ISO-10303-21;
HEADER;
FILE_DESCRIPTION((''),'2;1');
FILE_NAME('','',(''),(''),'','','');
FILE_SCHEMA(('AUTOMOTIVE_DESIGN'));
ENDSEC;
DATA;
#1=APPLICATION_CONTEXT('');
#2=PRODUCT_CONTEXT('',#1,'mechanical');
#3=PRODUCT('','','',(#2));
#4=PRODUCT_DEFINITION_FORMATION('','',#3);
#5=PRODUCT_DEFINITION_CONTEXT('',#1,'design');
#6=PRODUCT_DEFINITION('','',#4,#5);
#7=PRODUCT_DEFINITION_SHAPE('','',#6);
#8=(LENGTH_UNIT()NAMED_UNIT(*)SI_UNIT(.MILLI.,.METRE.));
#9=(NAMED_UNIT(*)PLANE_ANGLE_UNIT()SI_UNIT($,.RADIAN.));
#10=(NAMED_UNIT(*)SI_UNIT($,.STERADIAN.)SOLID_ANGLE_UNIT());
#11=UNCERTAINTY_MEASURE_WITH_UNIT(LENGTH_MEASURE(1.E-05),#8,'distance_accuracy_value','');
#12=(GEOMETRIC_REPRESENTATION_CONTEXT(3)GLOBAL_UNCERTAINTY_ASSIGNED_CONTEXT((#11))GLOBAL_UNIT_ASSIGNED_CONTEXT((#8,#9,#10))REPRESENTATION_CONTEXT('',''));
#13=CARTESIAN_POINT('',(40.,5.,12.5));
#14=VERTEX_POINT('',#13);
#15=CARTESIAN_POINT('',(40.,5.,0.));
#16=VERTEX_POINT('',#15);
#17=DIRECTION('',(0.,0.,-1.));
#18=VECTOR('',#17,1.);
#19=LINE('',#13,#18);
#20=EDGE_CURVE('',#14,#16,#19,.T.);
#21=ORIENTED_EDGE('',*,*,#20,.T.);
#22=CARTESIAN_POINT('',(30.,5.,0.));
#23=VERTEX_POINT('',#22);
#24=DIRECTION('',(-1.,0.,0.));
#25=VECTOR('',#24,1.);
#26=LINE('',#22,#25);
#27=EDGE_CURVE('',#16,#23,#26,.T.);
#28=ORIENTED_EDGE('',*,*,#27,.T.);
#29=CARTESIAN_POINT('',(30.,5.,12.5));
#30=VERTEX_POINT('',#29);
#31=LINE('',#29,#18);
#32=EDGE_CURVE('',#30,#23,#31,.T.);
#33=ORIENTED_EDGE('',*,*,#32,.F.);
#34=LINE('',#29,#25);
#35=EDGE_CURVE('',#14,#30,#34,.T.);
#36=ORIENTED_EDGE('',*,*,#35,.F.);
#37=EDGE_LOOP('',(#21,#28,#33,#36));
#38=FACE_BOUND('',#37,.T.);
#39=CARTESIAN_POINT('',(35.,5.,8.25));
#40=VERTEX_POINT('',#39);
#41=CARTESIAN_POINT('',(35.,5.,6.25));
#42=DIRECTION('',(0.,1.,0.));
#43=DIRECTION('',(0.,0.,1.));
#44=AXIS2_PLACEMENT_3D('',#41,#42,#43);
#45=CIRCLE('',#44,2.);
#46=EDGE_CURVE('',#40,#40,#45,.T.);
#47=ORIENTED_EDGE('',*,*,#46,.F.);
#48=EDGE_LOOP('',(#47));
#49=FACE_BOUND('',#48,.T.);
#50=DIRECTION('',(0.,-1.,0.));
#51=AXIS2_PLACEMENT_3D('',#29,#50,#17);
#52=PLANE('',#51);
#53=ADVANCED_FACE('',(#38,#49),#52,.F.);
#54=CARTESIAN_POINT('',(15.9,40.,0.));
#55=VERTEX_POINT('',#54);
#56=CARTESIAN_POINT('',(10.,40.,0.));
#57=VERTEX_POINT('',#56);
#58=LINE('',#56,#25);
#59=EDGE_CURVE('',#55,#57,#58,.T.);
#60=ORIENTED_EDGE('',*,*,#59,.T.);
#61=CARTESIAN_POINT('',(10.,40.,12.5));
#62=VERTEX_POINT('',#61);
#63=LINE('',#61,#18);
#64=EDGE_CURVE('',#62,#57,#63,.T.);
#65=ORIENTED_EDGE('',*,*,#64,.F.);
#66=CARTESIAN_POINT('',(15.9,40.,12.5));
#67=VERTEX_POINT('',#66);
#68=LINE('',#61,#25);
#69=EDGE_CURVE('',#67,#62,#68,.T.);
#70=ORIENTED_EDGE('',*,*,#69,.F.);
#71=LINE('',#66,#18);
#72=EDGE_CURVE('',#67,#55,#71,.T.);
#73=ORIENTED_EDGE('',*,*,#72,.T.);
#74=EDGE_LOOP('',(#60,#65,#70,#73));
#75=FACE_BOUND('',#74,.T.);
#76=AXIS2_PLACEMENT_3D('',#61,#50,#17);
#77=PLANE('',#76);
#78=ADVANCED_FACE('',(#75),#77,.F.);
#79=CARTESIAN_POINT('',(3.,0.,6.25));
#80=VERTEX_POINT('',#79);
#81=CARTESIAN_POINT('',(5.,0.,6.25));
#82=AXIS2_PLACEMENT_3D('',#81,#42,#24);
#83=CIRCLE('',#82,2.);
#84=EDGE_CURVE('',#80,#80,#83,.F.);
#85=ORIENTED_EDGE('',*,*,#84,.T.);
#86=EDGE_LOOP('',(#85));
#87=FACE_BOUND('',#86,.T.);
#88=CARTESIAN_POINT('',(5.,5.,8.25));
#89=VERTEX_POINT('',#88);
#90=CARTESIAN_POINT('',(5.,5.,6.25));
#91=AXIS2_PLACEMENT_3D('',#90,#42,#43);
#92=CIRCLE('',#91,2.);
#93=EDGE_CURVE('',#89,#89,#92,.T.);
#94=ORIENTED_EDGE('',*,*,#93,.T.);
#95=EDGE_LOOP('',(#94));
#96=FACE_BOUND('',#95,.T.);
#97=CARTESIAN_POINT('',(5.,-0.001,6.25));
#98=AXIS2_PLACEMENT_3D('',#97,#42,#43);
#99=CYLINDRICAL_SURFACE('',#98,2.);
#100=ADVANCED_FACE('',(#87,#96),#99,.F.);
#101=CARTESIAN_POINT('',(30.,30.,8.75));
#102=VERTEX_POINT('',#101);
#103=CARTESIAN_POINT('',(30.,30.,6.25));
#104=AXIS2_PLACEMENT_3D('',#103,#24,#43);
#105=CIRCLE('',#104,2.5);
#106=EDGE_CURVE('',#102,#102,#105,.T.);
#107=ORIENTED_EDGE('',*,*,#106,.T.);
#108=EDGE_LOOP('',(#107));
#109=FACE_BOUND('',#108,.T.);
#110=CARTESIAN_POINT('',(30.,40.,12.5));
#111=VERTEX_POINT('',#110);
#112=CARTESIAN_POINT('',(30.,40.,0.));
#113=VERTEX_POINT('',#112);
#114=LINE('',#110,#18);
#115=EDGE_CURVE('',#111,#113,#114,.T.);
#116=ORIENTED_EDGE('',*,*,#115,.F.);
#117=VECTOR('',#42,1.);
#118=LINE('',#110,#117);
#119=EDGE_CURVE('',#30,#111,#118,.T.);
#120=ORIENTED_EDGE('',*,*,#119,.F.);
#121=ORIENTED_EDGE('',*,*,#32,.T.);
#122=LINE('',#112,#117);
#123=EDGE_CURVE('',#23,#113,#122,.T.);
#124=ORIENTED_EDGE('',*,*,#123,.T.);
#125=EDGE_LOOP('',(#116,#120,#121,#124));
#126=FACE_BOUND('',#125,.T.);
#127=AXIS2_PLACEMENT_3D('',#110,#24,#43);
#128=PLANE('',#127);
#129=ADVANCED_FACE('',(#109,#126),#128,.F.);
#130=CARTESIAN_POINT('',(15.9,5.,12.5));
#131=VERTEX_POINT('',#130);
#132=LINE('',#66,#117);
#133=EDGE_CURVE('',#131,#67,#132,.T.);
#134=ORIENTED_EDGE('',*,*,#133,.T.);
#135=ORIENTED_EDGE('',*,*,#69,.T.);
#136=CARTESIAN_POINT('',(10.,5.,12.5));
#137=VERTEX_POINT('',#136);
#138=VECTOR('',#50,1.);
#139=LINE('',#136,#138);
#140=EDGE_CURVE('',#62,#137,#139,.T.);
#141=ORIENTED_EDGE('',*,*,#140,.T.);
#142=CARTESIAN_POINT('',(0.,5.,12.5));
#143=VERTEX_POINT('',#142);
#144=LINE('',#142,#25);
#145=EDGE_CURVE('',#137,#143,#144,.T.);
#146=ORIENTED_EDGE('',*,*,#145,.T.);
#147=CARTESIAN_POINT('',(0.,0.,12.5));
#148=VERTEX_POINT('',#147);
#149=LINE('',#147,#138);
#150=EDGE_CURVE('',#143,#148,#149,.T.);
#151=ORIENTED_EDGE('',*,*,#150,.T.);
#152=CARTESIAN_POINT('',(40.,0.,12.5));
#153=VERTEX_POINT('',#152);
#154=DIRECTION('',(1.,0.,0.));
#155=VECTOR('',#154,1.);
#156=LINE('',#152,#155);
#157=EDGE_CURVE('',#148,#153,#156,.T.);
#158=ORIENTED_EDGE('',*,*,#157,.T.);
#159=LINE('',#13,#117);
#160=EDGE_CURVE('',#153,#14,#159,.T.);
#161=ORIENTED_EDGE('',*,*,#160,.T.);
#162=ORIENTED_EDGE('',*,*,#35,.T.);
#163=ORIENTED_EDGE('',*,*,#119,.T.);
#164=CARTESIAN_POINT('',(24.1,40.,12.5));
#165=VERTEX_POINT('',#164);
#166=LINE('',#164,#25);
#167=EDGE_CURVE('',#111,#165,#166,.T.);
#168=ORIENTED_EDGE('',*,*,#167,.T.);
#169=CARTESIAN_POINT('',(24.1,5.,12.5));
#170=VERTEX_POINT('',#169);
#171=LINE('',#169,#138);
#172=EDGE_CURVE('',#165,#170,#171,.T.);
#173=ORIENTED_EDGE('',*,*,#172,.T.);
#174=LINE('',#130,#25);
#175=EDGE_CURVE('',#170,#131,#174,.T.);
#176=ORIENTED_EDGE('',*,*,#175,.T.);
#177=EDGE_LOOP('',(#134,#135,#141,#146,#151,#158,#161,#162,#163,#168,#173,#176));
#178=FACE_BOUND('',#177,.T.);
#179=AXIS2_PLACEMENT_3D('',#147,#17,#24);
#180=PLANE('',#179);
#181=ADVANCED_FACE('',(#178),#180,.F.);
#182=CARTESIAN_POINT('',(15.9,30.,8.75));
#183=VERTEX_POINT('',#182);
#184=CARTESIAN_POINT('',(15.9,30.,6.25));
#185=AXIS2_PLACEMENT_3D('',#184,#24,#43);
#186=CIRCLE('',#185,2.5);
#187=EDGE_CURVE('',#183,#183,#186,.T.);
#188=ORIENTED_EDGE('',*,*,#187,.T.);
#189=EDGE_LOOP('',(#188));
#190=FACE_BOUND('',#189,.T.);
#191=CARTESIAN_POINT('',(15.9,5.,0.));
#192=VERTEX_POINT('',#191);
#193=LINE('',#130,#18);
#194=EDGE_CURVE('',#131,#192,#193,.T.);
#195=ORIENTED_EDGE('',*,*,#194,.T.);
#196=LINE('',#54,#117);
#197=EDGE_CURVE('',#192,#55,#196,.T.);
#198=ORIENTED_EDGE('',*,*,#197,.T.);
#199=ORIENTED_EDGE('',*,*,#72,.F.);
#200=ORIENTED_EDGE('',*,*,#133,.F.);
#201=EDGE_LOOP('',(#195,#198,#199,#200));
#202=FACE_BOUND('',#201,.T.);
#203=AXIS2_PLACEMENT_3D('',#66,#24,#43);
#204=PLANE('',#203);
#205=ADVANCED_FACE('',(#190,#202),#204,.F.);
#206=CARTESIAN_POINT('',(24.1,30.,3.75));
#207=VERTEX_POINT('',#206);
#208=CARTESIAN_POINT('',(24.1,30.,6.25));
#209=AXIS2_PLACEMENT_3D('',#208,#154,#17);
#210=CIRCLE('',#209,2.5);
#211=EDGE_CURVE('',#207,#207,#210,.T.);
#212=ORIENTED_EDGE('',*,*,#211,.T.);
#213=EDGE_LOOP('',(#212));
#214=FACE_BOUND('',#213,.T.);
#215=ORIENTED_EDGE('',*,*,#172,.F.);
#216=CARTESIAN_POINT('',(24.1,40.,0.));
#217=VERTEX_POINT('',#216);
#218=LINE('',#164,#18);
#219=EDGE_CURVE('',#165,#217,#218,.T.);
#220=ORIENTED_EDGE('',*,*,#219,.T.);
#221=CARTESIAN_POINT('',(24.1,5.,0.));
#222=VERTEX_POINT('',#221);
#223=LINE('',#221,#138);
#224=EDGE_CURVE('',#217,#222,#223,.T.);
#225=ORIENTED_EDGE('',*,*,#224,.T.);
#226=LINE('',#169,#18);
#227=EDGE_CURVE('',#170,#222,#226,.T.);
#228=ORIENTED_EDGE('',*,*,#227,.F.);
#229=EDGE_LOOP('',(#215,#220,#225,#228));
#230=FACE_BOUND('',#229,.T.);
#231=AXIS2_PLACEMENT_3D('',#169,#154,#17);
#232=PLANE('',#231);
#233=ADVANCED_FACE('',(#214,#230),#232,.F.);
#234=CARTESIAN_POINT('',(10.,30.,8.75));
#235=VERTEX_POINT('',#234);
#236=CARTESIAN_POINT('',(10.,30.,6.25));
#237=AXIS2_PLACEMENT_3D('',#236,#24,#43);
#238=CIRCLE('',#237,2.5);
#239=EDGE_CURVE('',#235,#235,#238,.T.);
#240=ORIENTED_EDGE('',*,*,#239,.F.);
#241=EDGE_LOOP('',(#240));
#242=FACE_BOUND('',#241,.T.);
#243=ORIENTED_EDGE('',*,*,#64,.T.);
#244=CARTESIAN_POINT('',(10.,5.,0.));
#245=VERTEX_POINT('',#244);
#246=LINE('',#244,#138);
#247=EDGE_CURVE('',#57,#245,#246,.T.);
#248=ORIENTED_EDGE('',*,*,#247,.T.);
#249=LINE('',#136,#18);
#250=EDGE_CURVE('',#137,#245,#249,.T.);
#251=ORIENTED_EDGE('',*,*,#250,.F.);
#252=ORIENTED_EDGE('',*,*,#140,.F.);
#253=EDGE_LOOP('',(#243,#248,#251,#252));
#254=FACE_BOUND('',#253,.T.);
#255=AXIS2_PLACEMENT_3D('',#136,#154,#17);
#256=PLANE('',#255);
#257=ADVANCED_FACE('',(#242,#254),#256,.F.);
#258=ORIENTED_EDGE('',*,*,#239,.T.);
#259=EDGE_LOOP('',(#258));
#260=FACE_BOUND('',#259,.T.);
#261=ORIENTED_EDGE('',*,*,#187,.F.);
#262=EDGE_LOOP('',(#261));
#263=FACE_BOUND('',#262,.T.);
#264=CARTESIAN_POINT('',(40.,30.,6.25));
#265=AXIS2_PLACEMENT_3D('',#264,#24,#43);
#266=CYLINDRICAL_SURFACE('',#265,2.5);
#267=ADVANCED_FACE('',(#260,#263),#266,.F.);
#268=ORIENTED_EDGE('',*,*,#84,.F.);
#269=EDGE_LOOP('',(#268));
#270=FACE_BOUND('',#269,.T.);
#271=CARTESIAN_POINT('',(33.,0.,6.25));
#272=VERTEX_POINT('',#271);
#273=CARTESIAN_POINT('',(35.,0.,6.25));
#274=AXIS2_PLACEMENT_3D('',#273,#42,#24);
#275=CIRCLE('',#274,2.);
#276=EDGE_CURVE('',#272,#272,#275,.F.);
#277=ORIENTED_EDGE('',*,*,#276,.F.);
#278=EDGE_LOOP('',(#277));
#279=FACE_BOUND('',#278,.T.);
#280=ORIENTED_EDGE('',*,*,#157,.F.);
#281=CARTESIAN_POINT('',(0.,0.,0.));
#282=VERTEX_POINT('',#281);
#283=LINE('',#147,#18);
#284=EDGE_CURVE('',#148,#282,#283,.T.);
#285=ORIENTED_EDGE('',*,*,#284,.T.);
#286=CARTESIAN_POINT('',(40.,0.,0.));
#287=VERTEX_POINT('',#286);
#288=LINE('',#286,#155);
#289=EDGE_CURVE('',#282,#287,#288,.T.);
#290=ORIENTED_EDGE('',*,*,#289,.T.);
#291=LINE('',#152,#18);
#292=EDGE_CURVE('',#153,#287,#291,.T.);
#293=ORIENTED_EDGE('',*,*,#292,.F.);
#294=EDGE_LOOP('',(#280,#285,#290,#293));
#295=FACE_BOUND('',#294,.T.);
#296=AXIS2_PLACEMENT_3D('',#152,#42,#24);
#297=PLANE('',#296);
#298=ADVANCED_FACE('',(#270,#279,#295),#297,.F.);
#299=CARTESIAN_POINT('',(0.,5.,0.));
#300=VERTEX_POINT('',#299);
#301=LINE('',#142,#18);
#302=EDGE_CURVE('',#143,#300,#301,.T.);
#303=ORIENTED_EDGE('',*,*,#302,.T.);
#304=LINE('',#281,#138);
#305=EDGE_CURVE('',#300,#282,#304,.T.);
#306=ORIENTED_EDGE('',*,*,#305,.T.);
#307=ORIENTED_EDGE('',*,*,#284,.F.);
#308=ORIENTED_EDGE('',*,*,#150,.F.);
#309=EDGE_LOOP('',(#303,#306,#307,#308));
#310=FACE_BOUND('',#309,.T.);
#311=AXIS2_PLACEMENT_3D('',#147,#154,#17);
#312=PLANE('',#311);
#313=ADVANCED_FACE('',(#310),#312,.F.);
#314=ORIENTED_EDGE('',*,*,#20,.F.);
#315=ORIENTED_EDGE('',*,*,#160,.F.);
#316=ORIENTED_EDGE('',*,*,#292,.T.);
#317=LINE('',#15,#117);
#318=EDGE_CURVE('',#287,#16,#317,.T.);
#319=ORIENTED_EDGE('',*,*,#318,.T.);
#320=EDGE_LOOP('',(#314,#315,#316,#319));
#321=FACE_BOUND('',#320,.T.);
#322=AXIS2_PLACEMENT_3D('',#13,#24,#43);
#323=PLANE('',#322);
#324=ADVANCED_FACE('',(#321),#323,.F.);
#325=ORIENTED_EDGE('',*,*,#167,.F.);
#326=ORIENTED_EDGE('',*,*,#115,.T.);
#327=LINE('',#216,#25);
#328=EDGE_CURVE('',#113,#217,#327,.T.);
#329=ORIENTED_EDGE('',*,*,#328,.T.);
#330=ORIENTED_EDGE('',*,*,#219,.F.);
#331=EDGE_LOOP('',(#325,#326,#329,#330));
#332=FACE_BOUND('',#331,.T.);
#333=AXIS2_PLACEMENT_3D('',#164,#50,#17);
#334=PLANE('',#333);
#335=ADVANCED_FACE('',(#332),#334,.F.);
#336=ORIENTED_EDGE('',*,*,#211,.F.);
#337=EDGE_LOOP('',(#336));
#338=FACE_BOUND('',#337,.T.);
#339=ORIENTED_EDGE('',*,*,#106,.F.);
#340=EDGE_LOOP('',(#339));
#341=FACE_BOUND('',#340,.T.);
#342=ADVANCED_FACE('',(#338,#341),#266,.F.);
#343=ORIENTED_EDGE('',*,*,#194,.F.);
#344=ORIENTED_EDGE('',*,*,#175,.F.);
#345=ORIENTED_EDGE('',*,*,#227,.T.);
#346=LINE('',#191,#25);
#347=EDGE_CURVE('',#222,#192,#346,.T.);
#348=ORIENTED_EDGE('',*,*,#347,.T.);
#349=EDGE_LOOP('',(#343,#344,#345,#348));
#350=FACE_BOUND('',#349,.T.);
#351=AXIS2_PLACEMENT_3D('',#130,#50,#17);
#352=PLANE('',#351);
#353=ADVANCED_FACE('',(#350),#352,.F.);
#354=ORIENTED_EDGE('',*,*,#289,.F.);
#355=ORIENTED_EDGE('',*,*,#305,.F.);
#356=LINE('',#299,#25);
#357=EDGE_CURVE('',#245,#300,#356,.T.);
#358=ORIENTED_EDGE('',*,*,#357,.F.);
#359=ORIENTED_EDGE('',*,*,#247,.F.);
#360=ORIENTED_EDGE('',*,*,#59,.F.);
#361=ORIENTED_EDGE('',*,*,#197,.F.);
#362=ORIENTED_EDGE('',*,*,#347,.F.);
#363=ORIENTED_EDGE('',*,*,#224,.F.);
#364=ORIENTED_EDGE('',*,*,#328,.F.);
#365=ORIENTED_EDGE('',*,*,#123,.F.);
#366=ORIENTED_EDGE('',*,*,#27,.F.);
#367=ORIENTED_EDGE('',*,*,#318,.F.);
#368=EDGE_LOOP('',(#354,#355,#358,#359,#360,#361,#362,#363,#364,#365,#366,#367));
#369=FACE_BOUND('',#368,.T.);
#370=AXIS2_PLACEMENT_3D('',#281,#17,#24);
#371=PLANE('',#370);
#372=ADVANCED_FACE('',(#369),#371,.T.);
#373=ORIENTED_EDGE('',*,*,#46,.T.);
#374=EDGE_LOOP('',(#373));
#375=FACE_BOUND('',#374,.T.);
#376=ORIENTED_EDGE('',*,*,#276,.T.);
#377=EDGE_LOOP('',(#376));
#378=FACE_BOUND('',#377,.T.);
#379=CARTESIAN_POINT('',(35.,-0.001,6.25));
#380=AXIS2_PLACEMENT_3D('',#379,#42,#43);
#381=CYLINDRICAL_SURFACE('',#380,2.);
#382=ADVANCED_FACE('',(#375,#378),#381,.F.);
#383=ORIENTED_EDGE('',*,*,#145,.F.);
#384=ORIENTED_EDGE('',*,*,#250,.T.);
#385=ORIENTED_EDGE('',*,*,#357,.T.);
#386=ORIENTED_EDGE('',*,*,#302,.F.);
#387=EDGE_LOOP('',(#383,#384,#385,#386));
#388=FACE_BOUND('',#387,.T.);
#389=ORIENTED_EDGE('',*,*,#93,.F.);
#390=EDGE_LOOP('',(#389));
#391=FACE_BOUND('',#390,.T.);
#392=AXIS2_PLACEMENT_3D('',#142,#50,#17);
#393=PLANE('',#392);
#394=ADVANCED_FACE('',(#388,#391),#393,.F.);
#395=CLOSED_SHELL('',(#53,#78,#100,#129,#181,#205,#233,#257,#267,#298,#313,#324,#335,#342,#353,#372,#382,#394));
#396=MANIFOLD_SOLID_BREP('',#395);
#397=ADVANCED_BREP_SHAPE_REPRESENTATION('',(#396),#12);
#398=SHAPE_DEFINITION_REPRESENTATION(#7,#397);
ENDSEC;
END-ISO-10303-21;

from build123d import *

# Parameters (mm, degrees)
EXTRUDE_1_DEPTH     = 12.5
SKETCH_2_R          = 2.5
CUT_EXTRUDE_2_DEPTH = 52.53882032
CUT_EXTRUDE_3_REACH = 56.601
SKETCH_3_R          = 2


with BuildPart() as part:
    # Эскиз1 → Вытянуть1 (new body)
    with BuildSketch(Plane.XY):
        Polygon((0, 0), (0, 5), (10, 5), (10, 40), (15.9, 40), (15.9, 5), (24.1, 5), (24.1, 40), (30, 40), (30, 5), (40, 5), (40, 0), align=None)
    extrude(amount=EXTRUDE_1_DEPTH)

    # Эскиз2 → Вытянуть2 (cut, through all)
    with BuildSketch(Plane.ZY.offset(-10)):
        with Locations((6.25, 30)):
            Circle(SKETCH_2_R)
    extrude(amount=-CUT_EXTRUDE_2_DEPTH, mode=Mode.SUBTRACT)

    # Эскиз3 → Вытянуть3 (cut, up to next)
    with BuildSketch(Plane(origin=(0, 5, 0), x_dir=(1, 0, 0), z_dir=(0, 1, 0)), mode=Mode.PRIVATE) as cut_extrude_3_sk1:
        with Locations(Location((35, -6.25, 0), (0, 0, 270))):
            Circle(SKETCH_3_R)
    cut_extrude_3_tool1 = extrude(cut_extrude_3_sk1.sketch, amount=-CUT_EXTRUDE_3_REACH, mode=Mode.PRIVATE) & part.part
    # Эскиз3 → Вытянуть3 (cut, up to next)
    with BuildSketch(Plane(origin=(0, 5, 0), x_dir=(1, 0, 0), z_dir=(0, 1, 0)), mode=Mode.PRIVATE) as cut_extrude_3_sk2:
        with Locations(Location((5, -6.25, 0), (0, 0, 270))):
            Circle(SKETCH_3_R)
    cut_extrude_3_tool2 = extrude(cut_extrude_3_sk2.sketch, amount=-CUT_EXTRUDE_3_REACH, mode=Mode.PRIVATE) & part.part
    add(cut_extrude_3_tool1.solids().sort_by_distance((35, 5, 6.25))[0], mode=Mode.SUBTRACT)
    add(cut_extrude_3_tool2.solids().sort_by_distance((5, 5, 6.25))[0], mode=Mode.SUBTRACT)


solid = part.part
